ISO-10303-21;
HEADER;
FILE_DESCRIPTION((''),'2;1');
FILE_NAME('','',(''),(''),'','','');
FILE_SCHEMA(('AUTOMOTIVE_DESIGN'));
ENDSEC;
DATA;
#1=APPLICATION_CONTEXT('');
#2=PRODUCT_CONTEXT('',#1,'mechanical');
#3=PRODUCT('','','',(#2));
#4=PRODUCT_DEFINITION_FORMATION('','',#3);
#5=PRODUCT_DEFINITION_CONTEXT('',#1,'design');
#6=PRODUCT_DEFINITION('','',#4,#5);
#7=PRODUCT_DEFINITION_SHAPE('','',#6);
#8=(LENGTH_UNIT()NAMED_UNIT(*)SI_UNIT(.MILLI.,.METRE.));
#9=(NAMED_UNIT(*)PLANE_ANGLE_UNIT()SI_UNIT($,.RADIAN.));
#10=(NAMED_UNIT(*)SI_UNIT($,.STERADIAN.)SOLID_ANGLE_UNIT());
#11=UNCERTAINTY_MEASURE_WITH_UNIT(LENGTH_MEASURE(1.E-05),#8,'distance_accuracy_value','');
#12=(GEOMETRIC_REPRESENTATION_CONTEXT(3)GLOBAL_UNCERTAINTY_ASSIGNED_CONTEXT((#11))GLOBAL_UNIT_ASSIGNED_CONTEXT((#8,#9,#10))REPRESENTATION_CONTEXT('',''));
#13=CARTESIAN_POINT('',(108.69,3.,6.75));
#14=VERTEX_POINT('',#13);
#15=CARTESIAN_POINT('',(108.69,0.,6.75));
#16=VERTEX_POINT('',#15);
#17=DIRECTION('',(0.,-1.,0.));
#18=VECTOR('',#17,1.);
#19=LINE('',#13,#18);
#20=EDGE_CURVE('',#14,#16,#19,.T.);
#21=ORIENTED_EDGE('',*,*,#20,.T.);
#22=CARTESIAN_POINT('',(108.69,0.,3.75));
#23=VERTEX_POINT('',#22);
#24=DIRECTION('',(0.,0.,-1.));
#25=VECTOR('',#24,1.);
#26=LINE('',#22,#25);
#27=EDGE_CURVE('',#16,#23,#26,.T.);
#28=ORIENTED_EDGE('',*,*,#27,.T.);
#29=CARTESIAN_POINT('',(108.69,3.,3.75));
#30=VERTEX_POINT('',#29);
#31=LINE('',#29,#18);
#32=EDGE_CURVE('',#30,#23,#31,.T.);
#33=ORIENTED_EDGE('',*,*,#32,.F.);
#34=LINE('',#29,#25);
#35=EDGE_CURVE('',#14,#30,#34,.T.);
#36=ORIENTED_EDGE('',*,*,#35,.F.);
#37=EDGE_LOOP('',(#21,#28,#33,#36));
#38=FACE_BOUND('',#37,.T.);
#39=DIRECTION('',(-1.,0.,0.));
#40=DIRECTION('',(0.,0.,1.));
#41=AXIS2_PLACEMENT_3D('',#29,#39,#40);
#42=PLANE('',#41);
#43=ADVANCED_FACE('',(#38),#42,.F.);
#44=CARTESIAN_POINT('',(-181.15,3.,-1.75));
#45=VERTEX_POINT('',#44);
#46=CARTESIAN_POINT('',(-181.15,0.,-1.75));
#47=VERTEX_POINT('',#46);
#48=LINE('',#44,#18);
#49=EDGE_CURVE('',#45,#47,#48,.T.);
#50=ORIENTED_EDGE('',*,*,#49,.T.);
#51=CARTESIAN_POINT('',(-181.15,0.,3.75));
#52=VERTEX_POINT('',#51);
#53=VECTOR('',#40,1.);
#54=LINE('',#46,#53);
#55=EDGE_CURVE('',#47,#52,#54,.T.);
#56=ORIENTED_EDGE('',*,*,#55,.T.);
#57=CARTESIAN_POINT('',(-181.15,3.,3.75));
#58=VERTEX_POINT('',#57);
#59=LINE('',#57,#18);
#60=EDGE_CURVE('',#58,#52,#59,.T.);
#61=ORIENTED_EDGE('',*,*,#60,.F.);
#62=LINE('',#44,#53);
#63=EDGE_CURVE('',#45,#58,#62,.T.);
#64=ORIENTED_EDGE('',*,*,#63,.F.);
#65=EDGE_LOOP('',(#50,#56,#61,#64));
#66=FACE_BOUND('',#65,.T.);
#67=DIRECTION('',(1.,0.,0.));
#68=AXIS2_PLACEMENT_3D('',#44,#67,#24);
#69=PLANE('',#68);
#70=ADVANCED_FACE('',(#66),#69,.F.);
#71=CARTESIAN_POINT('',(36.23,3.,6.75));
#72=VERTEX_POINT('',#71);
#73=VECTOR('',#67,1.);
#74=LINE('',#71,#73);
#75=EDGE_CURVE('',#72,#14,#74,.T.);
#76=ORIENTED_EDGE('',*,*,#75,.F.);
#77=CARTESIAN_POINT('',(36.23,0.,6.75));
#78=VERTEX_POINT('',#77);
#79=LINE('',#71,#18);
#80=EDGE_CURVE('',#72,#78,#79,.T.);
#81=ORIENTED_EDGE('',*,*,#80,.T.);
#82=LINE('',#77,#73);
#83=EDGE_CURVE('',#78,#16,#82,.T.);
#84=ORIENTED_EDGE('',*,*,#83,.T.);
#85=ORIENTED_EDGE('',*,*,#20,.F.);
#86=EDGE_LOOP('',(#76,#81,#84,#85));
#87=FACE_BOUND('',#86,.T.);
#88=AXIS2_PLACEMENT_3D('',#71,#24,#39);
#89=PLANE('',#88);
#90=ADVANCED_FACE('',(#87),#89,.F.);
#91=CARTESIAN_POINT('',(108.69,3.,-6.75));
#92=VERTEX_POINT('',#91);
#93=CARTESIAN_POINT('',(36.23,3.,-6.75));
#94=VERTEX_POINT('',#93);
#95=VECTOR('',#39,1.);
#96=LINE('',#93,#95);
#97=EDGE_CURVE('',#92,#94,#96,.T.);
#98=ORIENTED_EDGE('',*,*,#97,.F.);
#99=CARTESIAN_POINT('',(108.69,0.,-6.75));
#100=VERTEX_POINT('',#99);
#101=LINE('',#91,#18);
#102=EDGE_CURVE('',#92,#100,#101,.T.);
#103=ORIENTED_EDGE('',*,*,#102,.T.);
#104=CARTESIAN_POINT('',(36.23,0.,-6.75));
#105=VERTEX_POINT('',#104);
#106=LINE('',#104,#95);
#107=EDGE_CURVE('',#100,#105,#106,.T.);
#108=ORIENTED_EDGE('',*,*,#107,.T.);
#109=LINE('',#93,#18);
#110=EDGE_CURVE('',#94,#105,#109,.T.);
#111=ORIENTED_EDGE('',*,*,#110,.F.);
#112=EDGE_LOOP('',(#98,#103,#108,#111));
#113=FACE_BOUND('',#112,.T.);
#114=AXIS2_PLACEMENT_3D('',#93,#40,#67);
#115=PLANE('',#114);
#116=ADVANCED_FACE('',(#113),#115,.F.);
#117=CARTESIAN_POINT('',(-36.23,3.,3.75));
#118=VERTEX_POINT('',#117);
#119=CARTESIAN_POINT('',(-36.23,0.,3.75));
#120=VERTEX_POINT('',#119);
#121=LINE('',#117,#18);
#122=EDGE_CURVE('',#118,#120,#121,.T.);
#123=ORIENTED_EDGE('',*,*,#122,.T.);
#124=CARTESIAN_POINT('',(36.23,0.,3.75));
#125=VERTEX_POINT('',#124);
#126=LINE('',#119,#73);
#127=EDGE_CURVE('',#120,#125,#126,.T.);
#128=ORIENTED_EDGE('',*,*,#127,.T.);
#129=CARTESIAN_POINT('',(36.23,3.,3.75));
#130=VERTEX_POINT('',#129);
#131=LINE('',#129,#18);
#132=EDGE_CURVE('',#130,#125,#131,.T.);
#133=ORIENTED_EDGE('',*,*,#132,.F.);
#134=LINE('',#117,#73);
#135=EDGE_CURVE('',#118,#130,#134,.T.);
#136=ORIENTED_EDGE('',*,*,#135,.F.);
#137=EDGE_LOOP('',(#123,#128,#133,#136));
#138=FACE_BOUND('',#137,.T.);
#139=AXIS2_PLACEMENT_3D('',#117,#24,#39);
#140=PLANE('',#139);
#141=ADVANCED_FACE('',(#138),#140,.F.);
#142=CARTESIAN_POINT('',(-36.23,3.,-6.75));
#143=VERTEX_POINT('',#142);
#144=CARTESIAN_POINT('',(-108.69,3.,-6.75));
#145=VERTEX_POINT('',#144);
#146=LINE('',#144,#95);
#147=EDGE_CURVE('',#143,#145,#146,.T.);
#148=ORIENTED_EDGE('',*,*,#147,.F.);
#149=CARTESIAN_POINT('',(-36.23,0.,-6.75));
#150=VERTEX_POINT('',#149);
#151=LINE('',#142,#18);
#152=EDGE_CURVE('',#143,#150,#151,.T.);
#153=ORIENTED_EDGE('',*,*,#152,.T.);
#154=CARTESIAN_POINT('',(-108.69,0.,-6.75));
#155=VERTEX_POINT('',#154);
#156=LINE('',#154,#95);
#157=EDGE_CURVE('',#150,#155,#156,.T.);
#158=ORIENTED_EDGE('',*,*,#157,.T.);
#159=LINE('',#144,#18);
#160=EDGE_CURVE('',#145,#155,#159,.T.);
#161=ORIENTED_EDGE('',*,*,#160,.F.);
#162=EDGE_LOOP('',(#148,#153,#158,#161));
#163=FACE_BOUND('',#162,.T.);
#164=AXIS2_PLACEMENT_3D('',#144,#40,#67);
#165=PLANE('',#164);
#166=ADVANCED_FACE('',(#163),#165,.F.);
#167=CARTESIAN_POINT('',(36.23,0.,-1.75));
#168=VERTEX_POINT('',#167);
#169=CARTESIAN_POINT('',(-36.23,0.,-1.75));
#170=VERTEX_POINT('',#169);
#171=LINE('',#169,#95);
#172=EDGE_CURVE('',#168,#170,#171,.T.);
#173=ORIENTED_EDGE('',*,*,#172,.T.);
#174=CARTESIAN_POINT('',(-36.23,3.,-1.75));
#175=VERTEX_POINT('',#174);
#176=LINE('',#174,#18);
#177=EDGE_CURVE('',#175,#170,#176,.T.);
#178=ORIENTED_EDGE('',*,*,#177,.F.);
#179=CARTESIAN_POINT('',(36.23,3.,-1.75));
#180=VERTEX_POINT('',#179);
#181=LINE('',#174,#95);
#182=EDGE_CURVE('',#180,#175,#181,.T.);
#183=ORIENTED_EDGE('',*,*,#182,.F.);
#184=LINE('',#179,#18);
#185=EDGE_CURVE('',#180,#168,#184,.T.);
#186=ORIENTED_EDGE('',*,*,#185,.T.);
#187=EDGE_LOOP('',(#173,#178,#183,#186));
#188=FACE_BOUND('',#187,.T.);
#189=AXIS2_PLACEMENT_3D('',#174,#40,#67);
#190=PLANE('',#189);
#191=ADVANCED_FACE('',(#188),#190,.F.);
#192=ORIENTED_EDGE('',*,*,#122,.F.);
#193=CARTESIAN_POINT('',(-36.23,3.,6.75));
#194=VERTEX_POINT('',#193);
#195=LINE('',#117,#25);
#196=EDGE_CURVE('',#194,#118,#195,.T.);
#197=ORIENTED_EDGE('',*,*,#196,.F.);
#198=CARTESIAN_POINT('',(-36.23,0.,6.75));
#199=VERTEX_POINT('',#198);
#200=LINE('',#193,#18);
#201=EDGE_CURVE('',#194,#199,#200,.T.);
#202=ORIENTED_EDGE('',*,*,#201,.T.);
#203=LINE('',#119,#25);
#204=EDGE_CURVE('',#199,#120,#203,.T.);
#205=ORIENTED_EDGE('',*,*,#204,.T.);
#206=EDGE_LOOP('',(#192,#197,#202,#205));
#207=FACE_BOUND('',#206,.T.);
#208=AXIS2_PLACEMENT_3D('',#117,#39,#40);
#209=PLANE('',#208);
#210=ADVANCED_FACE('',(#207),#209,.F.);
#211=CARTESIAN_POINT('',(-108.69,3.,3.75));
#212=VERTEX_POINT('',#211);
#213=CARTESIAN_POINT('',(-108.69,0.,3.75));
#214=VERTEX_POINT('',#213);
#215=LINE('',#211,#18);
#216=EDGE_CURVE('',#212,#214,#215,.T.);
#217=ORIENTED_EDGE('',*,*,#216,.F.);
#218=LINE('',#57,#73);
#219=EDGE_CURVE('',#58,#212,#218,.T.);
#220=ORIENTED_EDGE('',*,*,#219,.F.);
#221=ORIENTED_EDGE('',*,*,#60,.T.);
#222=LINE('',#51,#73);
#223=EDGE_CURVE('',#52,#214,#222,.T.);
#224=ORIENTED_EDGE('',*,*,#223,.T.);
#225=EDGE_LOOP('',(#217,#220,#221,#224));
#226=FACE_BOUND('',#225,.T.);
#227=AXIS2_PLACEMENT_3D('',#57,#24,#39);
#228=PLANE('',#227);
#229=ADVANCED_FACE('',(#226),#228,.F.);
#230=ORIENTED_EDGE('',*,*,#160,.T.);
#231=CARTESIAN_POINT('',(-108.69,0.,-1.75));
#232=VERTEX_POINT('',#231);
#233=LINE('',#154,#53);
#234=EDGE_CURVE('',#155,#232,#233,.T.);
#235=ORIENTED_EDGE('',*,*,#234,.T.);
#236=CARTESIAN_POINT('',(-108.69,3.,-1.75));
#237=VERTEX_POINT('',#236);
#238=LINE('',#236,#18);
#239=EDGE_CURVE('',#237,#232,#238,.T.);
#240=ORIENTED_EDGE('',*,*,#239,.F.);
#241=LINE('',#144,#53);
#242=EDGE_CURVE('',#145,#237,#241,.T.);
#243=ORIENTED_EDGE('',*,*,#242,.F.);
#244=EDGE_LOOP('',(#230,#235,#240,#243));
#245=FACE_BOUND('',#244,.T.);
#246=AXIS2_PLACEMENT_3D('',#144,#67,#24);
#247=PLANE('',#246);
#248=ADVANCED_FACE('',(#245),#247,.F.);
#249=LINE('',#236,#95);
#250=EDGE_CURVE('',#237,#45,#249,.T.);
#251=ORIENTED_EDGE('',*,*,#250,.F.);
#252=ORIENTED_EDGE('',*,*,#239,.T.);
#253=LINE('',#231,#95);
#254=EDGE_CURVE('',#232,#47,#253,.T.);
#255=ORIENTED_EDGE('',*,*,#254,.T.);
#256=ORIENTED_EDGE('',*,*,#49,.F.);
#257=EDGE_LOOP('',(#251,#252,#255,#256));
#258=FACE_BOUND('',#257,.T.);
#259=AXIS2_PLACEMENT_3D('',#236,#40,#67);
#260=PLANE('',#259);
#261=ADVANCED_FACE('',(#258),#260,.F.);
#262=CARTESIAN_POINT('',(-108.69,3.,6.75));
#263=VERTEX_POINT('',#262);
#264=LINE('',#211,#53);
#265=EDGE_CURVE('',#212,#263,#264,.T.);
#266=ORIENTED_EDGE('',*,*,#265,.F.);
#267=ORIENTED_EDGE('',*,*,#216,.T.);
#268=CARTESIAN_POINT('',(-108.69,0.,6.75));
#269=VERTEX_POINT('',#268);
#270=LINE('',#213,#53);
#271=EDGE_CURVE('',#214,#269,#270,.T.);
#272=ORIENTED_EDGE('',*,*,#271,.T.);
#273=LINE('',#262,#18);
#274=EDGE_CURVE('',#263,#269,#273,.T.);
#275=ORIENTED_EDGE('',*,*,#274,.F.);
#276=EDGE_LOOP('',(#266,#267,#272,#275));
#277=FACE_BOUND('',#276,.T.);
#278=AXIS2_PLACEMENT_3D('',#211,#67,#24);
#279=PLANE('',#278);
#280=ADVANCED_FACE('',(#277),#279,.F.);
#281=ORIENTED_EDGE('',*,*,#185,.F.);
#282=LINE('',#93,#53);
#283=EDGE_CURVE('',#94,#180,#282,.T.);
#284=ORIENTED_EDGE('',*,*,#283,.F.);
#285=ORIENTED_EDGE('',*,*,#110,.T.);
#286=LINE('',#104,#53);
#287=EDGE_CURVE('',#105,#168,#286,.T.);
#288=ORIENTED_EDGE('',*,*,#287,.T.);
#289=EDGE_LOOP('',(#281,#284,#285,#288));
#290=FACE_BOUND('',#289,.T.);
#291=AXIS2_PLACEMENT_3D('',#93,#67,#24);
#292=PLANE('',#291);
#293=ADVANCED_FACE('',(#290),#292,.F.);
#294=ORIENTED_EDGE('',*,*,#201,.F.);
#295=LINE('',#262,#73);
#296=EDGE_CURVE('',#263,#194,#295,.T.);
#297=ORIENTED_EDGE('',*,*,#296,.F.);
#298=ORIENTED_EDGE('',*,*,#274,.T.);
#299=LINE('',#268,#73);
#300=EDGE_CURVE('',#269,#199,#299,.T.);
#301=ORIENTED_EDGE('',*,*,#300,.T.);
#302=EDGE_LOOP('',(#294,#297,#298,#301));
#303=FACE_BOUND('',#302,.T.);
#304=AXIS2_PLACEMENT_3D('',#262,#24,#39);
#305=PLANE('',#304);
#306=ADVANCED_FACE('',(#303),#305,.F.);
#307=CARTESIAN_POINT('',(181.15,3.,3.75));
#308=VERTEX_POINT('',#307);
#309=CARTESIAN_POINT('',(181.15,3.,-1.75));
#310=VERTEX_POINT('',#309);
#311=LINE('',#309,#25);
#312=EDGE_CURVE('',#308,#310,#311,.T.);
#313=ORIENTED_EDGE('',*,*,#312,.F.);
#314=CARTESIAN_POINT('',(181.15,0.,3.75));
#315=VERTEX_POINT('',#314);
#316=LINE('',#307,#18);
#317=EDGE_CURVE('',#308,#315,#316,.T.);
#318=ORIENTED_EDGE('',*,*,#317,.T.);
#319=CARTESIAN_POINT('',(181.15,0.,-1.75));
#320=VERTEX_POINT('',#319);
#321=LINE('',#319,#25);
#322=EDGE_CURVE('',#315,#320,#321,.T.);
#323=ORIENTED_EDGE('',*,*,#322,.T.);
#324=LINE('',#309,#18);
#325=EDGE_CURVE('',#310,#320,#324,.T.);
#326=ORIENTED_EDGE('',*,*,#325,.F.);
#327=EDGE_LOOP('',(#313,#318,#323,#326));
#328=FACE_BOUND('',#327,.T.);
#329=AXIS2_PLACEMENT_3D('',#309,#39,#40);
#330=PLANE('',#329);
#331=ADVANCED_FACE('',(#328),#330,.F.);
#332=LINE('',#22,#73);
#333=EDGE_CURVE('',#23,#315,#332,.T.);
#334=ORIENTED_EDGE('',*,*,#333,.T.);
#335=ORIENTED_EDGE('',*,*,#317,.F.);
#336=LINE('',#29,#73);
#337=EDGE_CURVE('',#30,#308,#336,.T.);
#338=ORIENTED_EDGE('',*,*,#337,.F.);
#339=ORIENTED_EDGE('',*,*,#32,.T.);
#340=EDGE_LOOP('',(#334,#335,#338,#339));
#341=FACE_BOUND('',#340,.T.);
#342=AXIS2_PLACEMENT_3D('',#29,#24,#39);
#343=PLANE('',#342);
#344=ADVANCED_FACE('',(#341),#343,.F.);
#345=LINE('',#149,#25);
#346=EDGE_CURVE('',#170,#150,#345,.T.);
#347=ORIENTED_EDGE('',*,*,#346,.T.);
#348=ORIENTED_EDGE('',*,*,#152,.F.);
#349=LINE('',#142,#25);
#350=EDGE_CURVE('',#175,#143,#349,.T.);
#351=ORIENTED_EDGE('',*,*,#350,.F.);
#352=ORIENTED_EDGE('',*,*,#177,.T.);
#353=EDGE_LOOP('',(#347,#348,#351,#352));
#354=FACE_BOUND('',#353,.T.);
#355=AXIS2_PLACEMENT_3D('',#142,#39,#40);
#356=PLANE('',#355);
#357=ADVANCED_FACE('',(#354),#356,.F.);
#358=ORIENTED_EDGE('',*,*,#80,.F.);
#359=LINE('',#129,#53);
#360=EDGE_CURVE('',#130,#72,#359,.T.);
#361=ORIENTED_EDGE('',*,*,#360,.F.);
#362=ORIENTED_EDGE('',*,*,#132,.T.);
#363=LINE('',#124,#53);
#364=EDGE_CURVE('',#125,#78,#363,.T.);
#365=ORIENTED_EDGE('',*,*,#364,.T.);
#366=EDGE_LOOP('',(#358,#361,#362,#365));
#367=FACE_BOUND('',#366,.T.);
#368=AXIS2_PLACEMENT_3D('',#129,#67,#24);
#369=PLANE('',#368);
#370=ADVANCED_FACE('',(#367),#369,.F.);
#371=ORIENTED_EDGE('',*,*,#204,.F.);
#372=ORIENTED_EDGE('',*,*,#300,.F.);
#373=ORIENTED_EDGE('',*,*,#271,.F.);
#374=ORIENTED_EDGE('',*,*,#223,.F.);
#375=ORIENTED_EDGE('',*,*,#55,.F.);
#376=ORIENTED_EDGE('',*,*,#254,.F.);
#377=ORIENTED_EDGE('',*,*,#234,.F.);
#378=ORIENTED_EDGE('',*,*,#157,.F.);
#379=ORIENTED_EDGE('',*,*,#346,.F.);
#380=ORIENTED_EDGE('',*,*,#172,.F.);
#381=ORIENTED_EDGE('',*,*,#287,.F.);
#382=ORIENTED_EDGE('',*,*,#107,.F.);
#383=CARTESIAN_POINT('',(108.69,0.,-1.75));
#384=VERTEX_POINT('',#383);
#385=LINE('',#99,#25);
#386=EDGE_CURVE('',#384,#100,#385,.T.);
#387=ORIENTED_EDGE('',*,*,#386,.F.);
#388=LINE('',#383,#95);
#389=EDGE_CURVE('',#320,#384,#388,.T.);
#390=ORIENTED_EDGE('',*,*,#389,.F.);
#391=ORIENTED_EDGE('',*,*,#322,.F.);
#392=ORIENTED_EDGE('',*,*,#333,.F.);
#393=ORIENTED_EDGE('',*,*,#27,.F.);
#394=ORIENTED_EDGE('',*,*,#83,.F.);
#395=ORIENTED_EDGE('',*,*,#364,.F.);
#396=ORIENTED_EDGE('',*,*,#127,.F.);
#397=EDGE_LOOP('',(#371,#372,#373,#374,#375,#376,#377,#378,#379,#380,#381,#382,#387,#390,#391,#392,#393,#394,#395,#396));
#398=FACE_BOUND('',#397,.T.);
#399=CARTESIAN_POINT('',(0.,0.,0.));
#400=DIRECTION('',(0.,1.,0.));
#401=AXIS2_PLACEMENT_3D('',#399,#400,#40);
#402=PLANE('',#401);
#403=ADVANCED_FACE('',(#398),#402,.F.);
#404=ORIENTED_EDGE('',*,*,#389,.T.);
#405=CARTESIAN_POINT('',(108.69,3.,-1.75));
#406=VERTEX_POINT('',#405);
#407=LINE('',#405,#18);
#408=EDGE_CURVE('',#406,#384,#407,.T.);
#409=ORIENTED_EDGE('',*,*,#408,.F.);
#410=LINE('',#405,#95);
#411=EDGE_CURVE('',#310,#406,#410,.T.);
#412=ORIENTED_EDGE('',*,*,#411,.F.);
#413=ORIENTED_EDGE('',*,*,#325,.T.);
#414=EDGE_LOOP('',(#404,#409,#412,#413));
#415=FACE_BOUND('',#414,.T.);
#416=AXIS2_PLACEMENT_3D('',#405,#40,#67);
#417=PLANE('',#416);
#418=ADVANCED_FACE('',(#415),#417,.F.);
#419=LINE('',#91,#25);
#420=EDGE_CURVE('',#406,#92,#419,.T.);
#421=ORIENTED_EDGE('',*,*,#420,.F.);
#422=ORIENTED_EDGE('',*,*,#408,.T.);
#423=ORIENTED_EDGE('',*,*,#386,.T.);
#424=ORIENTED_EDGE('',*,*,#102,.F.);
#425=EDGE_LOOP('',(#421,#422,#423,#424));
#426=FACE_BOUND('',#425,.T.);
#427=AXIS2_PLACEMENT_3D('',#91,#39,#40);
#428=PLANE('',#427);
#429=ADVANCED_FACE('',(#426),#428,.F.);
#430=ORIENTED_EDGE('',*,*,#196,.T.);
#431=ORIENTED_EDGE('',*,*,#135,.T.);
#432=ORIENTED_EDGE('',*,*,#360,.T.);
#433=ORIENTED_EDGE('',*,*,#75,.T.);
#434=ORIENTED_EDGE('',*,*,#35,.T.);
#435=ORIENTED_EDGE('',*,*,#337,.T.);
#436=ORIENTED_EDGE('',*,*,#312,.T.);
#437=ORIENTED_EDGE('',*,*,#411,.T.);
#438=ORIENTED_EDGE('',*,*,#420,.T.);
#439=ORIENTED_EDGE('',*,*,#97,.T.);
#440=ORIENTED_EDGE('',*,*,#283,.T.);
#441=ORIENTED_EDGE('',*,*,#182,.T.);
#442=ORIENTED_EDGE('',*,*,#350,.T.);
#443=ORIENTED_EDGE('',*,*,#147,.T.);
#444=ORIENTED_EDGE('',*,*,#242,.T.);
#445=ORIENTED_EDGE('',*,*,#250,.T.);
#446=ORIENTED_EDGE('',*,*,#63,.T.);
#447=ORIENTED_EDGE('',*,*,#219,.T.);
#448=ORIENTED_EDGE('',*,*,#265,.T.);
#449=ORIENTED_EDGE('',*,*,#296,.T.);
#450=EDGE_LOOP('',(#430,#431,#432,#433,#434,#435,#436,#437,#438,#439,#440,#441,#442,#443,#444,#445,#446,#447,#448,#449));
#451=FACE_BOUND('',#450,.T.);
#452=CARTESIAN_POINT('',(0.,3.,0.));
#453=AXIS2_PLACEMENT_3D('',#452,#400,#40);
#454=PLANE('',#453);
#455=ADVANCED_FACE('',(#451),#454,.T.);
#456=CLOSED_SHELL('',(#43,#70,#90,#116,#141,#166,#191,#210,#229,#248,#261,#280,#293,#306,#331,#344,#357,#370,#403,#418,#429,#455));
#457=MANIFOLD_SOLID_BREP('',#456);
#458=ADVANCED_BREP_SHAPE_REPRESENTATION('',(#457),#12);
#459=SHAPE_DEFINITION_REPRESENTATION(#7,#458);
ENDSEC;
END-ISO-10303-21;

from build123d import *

# Parameters (mm, degrees)
BOSS_EXTRUDE1_DEPTH = 3


with BuildPart() as part:
    # Sketch1 → Boss-Extrude1 (new body)
    with BuildSketch(Plane(origin=(0, 0, 0), x_dir=(1, 0, 0), z_dir=(0, 1, 0))):
        Polygon((-181.15, 1.75), (-181.15, -3.75), (-108.69, -3.75), (-108.69, -6.75), (-36.23, -6.75), (-36.23, -3.75), (36.23, -3.75), (36.23, -6.75), (108.69, -6.75), (108.69, -3.75), (181.15, -3.75), (181.15, 1.75), (108.69, 1.75), (108.69, 6.75), (36.23, 6.75), (36.23, 1.75), (-36.23, 1.75), (-36.23, 6.75), (-108.69, 6.75), (-108.69, 1.75), align=None)
    extrude(amount=BOSS_EXTRUDE1_DEPTH)


solid = part.part
